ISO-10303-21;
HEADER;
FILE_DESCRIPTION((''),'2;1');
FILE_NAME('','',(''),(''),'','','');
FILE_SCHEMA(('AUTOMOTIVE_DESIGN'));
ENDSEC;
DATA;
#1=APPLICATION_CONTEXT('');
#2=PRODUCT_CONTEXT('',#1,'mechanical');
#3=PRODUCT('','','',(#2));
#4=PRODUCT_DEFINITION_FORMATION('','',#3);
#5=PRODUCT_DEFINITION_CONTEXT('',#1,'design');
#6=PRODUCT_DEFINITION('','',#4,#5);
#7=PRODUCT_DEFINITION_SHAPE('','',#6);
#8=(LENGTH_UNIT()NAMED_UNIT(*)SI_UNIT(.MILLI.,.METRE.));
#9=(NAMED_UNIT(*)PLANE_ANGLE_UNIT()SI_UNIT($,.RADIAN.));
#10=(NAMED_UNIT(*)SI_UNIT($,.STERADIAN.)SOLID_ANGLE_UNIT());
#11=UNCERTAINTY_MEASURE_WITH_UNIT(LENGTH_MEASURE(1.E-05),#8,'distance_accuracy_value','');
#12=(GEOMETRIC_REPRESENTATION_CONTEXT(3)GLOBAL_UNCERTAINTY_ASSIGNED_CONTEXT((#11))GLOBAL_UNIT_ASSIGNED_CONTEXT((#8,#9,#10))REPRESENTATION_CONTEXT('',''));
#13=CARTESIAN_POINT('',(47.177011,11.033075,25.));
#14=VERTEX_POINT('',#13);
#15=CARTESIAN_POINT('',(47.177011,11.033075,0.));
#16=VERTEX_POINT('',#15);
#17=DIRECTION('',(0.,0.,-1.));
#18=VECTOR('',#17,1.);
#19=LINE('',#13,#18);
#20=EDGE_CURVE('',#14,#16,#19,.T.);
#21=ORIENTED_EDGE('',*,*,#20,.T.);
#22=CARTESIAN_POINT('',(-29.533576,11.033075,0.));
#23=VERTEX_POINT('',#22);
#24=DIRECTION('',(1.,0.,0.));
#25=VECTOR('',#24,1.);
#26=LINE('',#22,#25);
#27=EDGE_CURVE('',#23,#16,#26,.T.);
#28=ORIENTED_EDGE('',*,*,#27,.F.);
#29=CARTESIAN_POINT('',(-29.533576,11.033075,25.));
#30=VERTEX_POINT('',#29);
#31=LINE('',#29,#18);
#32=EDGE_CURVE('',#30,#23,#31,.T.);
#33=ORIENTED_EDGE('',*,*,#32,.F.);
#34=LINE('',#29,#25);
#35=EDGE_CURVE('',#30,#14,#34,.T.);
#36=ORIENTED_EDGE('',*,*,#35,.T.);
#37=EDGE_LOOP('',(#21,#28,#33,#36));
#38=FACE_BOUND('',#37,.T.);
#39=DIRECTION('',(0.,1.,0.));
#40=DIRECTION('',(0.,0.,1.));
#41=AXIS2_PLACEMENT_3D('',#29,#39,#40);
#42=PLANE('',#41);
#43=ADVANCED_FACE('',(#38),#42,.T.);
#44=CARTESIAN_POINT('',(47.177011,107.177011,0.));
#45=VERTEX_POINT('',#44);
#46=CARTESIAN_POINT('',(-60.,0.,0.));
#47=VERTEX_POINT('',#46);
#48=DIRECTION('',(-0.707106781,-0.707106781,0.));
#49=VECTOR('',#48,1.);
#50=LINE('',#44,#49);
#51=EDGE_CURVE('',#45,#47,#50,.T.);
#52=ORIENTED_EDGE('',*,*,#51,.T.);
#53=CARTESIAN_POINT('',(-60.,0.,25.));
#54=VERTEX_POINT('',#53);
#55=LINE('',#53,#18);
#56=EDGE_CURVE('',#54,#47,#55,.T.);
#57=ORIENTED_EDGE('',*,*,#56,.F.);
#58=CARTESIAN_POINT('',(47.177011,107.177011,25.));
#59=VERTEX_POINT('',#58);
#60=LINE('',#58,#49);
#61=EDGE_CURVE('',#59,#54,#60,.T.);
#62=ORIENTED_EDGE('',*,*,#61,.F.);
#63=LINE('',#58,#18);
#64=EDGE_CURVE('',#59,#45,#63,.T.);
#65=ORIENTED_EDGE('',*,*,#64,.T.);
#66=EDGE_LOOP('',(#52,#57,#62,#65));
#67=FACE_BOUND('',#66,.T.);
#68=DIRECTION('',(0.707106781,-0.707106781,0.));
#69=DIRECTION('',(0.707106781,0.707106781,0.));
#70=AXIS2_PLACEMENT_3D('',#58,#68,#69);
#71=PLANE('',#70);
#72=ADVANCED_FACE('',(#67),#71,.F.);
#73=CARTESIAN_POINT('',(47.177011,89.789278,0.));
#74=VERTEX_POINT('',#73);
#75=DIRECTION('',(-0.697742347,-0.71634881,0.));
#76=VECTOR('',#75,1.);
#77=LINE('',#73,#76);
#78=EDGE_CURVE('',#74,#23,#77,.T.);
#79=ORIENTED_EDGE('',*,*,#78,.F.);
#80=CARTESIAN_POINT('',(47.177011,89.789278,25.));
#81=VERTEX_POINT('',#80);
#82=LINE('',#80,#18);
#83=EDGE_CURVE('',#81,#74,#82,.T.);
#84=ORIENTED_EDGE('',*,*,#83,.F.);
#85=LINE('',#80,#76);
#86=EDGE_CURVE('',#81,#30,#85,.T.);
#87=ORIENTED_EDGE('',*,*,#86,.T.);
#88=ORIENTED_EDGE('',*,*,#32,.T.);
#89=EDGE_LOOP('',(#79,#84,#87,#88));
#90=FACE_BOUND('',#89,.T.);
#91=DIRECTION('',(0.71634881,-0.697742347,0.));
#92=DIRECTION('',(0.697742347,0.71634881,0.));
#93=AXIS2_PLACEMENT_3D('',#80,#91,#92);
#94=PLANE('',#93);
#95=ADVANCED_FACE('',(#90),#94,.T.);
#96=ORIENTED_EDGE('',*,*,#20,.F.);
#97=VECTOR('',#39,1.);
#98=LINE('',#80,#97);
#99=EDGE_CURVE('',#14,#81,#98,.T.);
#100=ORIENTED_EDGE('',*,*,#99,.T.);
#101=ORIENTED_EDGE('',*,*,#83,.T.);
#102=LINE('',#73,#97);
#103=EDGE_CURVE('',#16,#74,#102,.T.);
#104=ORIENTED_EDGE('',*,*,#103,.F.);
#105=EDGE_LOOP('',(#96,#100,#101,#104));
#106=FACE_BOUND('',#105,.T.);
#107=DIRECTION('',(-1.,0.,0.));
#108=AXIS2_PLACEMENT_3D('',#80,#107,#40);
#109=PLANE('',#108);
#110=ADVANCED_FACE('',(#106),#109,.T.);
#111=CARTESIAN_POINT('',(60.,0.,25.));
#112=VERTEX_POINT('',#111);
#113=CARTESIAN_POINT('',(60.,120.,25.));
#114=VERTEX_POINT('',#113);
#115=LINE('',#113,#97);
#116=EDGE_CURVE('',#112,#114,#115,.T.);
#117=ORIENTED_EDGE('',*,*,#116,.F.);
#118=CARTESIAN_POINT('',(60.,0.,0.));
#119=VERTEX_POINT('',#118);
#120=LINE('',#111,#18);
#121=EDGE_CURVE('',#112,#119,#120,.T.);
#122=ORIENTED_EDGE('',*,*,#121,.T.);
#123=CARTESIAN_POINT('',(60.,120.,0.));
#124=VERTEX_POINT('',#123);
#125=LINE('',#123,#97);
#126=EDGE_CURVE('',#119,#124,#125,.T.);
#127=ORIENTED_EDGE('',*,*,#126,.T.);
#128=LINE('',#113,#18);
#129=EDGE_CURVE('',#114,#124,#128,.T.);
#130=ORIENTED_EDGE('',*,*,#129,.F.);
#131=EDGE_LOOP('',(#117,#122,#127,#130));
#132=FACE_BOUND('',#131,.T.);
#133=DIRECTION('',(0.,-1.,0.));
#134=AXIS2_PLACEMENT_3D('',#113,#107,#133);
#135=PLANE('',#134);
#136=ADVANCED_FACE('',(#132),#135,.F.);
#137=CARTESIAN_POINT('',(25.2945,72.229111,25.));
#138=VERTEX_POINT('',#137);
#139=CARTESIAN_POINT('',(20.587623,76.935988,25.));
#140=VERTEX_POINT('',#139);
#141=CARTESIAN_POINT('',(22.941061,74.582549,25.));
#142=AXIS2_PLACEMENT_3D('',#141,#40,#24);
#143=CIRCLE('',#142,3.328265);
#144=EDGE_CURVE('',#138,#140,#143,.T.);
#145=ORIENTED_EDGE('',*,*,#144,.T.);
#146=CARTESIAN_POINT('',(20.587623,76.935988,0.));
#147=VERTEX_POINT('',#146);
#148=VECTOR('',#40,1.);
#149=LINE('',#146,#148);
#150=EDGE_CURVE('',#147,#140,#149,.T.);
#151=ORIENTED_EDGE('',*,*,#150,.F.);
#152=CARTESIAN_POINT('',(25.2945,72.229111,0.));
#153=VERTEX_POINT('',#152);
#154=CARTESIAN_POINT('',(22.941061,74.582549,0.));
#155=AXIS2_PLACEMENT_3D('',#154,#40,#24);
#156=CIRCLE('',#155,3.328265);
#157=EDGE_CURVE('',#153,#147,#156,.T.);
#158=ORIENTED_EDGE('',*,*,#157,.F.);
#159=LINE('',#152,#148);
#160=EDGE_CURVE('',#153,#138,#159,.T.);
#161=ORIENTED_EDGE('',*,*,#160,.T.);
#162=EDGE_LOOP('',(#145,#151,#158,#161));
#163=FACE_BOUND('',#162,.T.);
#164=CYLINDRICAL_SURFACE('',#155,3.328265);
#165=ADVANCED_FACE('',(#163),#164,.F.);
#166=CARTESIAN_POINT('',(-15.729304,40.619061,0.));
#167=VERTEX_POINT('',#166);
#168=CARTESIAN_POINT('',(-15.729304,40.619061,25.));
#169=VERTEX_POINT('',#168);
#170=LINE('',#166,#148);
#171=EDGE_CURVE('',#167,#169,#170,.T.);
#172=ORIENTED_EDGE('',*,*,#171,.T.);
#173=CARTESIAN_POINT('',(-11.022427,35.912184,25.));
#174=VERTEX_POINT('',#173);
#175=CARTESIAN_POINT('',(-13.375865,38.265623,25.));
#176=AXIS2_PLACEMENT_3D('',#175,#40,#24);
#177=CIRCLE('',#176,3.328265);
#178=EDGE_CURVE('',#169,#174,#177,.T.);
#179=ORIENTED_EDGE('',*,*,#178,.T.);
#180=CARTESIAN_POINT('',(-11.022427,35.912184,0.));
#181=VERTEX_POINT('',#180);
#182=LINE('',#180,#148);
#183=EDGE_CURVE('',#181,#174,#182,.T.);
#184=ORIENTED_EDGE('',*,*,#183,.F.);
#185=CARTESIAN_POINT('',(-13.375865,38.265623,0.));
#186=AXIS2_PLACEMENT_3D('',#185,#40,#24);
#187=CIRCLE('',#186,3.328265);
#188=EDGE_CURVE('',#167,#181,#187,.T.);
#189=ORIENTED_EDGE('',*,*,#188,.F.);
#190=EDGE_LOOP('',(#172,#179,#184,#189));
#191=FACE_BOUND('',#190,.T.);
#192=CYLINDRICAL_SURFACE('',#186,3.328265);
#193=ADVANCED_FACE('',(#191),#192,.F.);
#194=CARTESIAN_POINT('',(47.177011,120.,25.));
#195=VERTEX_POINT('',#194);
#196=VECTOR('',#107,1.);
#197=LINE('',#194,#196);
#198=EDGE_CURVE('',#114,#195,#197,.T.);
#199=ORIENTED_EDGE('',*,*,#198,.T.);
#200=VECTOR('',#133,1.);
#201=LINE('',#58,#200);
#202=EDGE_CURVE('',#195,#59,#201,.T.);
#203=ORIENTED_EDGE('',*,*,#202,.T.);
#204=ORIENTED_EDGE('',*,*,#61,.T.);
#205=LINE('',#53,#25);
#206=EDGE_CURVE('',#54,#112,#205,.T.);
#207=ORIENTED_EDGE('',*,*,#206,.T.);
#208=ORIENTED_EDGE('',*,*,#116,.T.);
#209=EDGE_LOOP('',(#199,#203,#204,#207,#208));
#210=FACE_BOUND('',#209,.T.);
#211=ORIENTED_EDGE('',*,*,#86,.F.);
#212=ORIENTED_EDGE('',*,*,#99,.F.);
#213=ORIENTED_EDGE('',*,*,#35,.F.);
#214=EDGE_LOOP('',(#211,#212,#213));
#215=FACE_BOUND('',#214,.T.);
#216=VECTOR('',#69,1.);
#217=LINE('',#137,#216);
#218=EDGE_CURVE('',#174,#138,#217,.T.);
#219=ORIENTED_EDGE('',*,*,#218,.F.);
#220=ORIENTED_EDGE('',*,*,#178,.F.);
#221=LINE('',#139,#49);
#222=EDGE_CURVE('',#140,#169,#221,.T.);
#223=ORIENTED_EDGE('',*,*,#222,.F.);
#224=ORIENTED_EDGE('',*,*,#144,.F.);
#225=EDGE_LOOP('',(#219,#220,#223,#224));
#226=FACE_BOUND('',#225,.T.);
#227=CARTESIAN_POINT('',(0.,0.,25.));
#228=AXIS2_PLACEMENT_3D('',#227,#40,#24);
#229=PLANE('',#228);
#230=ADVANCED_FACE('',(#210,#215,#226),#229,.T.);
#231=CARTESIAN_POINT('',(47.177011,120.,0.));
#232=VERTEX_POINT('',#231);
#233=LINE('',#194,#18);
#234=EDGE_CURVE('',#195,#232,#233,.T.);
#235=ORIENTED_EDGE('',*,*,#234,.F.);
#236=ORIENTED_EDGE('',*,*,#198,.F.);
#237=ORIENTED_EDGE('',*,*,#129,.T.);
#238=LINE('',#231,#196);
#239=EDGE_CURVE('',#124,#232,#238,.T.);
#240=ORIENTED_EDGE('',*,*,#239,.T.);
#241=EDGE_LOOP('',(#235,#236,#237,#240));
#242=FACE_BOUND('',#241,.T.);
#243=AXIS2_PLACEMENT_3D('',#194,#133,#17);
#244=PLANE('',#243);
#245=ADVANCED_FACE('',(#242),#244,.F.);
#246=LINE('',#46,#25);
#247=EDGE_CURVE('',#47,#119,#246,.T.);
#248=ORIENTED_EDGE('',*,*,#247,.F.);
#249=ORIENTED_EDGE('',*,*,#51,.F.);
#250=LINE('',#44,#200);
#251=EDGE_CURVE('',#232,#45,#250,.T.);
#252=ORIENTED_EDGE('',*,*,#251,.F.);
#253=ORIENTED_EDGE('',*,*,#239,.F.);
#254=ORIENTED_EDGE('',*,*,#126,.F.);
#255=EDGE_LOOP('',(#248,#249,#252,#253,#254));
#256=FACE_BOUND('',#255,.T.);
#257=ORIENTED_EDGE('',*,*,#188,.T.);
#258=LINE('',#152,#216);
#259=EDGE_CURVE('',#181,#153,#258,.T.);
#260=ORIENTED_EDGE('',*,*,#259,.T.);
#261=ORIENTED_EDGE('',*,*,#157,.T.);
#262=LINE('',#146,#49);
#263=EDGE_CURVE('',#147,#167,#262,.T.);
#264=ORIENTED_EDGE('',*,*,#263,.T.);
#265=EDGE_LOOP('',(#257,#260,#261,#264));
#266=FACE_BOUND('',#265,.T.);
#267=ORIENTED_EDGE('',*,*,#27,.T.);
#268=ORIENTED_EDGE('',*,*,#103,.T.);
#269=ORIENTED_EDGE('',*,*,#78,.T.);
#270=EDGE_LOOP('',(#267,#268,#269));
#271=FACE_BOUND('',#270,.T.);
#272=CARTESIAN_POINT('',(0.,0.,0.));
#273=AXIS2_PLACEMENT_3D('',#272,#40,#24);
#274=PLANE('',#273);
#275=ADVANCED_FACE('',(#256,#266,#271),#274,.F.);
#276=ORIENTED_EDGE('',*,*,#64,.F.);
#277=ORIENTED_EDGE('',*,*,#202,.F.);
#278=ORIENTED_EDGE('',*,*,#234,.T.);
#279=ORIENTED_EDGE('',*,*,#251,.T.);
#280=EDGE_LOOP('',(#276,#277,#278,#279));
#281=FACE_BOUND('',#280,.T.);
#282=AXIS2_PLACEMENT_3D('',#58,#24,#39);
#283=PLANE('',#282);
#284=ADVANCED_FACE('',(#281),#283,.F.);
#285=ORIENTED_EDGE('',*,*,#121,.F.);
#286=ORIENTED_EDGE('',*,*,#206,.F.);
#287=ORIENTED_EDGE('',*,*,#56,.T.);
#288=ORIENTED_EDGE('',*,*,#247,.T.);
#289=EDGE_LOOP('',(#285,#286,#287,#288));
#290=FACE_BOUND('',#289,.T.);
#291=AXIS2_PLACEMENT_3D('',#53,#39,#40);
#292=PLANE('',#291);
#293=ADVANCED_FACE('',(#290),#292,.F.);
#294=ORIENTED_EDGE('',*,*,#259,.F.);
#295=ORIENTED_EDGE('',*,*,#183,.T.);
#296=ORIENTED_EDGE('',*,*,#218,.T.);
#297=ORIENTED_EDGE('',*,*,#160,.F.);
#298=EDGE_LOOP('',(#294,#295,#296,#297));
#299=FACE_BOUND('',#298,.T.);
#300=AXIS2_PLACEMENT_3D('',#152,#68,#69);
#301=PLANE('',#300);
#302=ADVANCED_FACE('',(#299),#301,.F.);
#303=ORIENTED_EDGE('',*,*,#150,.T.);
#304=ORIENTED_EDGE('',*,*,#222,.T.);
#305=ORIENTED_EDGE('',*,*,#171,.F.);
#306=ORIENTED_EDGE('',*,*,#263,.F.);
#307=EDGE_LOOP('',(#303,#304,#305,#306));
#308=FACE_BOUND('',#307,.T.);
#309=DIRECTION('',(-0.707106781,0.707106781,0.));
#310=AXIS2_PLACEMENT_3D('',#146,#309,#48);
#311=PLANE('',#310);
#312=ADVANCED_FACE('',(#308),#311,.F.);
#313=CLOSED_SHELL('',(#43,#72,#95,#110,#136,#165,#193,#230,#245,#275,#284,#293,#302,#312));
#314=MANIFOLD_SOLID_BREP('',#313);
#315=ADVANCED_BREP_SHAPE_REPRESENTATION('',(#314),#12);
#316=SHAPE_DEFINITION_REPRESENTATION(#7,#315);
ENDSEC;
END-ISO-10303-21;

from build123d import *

# Parameters (mm, degrees)
BOSS_EXTRUDE1_DEPTH = 25
CUT_EXTRUDE1_DEPTH  = 25


with BuildPart() as part:
    # Sketch1 → Boss-Extrude1 (new body)
    with BuildSketch(Plane.XY):
        Polygon((47.177011042, 107.177011042), (-60, 0), (60, 0), (60, 120), (47.177011042, 120), align=None)
        Polygon((47.177011042, 89.789277975), (47.177011042, 11.03307526), (-29.533576018, 11.03307526), align=None, mode=Mode.SUBTRACT)
    extrude(amount=BOSS_EXTRUDE1_DEPTH)

    # Sketch2 → Cut-Extrude1 (cut)
    with BuildSketch(Plane.XY.offset(25)):
        with BuildLine():
            Line((25.294500052, 72.229110711), (-11.022426811, 35.912183847))
            ThreePointArc((-11.022426811, 35.912183847), (-15.729304171, 35.912183847), (-15.729304171, 40.619061207))
            Line((-15.729304171, 40.619061207), (20.587622692, 76.93598807))
            ThreePointArc((20.587622692, 76.93598807), (25.294500052, 76.93598807), (25.294500052, 72.229110711))
        make_face()
    extrude(amount=-CUT_EXTRUDE1_DEPTH, mode=Mode.SUBTRACT)


solid = part.part
